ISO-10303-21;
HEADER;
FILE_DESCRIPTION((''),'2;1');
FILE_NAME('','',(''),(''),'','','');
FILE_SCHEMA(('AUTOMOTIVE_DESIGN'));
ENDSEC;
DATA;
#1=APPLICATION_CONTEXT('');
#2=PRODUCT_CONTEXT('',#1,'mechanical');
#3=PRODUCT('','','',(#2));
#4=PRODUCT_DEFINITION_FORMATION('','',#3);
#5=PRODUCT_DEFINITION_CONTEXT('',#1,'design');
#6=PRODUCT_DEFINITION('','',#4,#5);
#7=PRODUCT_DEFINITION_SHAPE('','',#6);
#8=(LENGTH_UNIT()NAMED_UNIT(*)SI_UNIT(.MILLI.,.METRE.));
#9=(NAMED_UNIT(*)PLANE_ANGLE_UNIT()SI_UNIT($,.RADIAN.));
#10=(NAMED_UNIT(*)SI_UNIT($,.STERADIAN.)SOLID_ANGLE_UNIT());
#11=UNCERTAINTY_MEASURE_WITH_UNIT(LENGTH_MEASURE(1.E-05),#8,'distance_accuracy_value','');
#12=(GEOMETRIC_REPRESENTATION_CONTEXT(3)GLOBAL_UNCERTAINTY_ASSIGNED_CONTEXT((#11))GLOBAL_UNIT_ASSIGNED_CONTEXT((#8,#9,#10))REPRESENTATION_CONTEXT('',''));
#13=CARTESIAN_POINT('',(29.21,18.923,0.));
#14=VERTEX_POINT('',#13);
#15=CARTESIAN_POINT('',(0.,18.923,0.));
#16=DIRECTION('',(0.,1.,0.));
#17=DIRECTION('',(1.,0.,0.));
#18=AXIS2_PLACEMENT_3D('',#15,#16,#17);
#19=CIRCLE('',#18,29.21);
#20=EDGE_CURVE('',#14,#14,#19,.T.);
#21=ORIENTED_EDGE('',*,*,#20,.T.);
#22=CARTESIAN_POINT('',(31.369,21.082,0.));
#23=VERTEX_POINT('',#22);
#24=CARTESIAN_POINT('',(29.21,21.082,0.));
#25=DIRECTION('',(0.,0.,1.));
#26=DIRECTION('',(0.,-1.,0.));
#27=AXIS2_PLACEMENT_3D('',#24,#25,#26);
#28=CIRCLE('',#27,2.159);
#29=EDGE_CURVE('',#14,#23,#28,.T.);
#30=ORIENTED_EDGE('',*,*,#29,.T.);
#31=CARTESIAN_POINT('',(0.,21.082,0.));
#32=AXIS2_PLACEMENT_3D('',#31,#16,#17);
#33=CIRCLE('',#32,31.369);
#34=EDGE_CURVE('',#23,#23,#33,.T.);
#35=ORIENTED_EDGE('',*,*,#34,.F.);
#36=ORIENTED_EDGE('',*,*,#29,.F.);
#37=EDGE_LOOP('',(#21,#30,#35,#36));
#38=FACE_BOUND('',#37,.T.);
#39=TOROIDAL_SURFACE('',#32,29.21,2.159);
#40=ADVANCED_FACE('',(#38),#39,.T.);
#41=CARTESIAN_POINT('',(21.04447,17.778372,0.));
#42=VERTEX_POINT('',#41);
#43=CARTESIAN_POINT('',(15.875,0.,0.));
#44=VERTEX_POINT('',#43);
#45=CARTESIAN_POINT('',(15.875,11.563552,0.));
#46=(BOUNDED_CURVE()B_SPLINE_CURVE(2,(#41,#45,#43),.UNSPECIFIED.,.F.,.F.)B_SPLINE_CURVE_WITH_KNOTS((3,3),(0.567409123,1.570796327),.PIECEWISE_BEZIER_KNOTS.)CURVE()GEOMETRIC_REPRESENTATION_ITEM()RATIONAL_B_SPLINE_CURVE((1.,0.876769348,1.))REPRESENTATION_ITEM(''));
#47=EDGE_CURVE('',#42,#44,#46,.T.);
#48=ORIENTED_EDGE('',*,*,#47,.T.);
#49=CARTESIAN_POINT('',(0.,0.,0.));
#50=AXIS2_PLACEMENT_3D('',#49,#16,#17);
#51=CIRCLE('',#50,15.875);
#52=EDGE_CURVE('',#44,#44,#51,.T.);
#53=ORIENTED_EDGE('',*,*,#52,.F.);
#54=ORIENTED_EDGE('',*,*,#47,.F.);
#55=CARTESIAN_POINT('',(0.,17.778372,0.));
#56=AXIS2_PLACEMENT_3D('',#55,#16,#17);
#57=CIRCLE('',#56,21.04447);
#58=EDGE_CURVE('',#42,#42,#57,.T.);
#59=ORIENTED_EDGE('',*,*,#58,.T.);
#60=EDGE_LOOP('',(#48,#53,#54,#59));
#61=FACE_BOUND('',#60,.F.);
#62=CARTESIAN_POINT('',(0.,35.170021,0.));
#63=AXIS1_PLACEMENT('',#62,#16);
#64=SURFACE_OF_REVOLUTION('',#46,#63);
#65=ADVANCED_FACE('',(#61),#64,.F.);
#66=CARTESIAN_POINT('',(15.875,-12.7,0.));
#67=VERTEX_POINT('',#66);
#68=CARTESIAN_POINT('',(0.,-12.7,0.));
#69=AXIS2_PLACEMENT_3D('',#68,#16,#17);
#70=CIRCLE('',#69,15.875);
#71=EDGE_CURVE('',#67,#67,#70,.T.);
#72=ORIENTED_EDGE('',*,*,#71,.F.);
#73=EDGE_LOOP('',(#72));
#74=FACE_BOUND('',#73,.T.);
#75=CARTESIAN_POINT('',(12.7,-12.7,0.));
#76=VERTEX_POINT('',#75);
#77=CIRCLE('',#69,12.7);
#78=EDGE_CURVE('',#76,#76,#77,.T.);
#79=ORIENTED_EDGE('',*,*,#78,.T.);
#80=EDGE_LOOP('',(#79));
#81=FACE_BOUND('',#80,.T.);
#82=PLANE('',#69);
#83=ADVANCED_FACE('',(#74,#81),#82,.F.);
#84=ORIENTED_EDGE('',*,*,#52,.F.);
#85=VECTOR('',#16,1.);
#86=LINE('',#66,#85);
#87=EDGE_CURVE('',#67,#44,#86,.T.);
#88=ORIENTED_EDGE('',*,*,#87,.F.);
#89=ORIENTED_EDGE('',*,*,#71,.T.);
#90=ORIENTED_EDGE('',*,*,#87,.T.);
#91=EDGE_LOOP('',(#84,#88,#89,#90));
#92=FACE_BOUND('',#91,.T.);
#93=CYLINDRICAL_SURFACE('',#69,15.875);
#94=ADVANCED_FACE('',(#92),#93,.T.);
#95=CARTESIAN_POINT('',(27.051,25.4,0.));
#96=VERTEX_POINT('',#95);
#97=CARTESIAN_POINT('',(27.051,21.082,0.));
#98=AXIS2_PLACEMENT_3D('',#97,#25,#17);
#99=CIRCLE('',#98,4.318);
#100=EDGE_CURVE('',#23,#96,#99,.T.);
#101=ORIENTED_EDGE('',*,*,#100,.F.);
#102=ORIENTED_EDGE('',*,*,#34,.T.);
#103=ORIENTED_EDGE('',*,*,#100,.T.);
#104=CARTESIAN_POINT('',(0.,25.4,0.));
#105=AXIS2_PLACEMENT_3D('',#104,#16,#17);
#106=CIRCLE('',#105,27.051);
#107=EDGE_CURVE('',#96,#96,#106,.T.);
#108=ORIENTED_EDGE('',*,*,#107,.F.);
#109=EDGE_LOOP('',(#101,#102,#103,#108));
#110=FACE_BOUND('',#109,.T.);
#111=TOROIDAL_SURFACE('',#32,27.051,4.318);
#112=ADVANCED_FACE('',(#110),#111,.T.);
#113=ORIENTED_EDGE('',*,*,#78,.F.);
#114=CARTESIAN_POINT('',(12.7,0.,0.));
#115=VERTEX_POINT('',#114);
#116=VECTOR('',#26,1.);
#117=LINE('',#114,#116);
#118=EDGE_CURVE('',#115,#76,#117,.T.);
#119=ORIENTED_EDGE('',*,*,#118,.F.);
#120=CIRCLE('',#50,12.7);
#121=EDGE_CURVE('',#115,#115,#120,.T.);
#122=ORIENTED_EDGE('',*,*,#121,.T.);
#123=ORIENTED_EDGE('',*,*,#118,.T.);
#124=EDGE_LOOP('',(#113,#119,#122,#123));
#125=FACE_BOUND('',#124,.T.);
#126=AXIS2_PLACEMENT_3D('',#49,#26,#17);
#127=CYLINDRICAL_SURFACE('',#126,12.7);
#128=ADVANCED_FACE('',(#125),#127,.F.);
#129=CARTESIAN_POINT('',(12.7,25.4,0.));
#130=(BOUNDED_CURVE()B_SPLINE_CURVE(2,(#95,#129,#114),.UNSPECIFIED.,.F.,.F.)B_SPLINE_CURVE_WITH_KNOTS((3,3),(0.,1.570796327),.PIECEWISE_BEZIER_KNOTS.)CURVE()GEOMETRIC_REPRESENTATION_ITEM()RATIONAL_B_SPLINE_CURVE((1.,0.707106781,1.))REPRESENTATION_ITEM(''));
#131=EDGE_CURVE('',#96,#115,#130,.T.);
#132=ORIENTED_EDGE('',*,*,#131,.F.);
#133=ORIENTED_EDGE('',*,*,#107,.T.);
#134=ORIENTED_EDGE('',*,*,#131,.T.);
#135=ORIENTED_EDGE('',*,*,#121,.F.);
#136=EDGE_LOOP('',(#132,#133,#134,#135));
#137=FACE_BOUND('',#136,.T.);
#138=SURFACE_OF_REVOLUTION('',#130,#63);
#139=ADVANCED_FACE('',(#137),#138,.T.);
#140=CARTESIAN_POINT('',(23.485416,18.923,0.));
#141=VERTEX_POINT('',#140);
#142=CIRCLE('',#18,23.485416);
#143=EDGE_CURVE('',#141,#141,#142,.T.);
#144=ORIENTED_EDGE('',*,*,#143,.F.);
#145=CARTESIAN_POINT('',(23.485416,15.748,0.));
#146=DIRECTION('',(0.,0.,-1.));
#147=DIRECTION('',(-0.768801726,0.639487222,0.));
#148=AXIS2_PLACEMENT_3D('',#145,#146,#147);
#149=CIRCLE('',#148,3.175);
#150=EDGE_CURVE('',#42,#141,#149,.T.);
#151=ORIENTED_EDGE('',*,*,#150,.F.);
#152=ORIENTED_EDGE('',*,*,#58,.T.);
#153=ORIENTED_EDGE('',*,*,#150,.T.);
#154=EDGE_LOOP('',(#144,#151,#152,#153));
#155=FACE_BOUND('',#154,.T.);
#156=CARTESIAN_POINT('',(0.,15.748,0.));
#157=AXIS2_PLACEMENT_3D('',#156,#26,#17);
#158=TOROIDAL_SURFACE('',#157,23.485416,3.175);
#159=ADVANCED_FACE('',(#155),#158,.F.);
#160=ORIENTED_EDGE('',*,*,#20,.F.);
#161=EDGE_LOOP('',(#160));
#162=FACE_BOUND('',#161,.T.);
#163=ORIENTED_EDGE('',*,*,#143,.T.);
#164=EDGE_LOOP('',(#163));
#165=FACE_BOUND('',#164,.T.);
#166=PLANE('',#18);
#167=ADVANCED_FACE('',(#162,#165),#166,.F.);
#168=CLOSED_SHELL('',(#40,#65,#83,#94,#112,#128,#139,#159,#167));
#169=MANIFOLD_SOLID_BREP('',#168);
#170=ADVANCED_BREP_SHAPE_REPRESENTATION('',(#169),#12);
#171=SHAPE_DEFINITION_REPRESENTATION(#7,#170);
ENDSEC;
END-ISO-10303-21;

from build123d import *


with BuildPart() as f1:
    # F0 (on Top) → F1 (revolve)
    with BuildSketch(Plane.XY):
        with BuildLine():
            ThreePointArc((29.21, 18.923), (30.7366435406, 19.5553564594), (31.369, 21.082))
            ThreePointArc((31.369, 21.082), (30.1042870812, 24.1352870812), (27.051, 25.4))
            add(Edge.make_bspline(
                [(27.051, 25.4), (12.7, 25.4), (12.7, 0)],
                knots=[0, 0, 0, 1.5707963268, 1.5707963268, 1.5707963268], degree=2, weights=[1, 0.7071067812, 1]))
            Line((12.7, 0), (12.7, -12.7))
            Line((12.7, -12.7), (15.875, -12.7))
            Line((15.875, -12.7), (15.875, 0))
            add(Edge.make_bspline(
                [(21.0444702233, 17.778371929), (15.875, 11.5635524722), (15.875, 0)],
                knots=[0.5674091227, 0.5674091227, 0.5674091227, 1.5707963268, 1.5707963268, 1.5707963268], degree=2, weights=[1, 0.8767693476, 1]))
            ThreePointArc((21.0444702233, 17.778371929), (22.1374182752, 18.6226352703), (23.485415702, 18.923))
            Line((23.485415702, 18.923), (29.21, 18.923))
        make_face()
    revolve(axis=Axis((0, 35.1700206795, 0), (0, 1, 0)))


solid = f1.part
